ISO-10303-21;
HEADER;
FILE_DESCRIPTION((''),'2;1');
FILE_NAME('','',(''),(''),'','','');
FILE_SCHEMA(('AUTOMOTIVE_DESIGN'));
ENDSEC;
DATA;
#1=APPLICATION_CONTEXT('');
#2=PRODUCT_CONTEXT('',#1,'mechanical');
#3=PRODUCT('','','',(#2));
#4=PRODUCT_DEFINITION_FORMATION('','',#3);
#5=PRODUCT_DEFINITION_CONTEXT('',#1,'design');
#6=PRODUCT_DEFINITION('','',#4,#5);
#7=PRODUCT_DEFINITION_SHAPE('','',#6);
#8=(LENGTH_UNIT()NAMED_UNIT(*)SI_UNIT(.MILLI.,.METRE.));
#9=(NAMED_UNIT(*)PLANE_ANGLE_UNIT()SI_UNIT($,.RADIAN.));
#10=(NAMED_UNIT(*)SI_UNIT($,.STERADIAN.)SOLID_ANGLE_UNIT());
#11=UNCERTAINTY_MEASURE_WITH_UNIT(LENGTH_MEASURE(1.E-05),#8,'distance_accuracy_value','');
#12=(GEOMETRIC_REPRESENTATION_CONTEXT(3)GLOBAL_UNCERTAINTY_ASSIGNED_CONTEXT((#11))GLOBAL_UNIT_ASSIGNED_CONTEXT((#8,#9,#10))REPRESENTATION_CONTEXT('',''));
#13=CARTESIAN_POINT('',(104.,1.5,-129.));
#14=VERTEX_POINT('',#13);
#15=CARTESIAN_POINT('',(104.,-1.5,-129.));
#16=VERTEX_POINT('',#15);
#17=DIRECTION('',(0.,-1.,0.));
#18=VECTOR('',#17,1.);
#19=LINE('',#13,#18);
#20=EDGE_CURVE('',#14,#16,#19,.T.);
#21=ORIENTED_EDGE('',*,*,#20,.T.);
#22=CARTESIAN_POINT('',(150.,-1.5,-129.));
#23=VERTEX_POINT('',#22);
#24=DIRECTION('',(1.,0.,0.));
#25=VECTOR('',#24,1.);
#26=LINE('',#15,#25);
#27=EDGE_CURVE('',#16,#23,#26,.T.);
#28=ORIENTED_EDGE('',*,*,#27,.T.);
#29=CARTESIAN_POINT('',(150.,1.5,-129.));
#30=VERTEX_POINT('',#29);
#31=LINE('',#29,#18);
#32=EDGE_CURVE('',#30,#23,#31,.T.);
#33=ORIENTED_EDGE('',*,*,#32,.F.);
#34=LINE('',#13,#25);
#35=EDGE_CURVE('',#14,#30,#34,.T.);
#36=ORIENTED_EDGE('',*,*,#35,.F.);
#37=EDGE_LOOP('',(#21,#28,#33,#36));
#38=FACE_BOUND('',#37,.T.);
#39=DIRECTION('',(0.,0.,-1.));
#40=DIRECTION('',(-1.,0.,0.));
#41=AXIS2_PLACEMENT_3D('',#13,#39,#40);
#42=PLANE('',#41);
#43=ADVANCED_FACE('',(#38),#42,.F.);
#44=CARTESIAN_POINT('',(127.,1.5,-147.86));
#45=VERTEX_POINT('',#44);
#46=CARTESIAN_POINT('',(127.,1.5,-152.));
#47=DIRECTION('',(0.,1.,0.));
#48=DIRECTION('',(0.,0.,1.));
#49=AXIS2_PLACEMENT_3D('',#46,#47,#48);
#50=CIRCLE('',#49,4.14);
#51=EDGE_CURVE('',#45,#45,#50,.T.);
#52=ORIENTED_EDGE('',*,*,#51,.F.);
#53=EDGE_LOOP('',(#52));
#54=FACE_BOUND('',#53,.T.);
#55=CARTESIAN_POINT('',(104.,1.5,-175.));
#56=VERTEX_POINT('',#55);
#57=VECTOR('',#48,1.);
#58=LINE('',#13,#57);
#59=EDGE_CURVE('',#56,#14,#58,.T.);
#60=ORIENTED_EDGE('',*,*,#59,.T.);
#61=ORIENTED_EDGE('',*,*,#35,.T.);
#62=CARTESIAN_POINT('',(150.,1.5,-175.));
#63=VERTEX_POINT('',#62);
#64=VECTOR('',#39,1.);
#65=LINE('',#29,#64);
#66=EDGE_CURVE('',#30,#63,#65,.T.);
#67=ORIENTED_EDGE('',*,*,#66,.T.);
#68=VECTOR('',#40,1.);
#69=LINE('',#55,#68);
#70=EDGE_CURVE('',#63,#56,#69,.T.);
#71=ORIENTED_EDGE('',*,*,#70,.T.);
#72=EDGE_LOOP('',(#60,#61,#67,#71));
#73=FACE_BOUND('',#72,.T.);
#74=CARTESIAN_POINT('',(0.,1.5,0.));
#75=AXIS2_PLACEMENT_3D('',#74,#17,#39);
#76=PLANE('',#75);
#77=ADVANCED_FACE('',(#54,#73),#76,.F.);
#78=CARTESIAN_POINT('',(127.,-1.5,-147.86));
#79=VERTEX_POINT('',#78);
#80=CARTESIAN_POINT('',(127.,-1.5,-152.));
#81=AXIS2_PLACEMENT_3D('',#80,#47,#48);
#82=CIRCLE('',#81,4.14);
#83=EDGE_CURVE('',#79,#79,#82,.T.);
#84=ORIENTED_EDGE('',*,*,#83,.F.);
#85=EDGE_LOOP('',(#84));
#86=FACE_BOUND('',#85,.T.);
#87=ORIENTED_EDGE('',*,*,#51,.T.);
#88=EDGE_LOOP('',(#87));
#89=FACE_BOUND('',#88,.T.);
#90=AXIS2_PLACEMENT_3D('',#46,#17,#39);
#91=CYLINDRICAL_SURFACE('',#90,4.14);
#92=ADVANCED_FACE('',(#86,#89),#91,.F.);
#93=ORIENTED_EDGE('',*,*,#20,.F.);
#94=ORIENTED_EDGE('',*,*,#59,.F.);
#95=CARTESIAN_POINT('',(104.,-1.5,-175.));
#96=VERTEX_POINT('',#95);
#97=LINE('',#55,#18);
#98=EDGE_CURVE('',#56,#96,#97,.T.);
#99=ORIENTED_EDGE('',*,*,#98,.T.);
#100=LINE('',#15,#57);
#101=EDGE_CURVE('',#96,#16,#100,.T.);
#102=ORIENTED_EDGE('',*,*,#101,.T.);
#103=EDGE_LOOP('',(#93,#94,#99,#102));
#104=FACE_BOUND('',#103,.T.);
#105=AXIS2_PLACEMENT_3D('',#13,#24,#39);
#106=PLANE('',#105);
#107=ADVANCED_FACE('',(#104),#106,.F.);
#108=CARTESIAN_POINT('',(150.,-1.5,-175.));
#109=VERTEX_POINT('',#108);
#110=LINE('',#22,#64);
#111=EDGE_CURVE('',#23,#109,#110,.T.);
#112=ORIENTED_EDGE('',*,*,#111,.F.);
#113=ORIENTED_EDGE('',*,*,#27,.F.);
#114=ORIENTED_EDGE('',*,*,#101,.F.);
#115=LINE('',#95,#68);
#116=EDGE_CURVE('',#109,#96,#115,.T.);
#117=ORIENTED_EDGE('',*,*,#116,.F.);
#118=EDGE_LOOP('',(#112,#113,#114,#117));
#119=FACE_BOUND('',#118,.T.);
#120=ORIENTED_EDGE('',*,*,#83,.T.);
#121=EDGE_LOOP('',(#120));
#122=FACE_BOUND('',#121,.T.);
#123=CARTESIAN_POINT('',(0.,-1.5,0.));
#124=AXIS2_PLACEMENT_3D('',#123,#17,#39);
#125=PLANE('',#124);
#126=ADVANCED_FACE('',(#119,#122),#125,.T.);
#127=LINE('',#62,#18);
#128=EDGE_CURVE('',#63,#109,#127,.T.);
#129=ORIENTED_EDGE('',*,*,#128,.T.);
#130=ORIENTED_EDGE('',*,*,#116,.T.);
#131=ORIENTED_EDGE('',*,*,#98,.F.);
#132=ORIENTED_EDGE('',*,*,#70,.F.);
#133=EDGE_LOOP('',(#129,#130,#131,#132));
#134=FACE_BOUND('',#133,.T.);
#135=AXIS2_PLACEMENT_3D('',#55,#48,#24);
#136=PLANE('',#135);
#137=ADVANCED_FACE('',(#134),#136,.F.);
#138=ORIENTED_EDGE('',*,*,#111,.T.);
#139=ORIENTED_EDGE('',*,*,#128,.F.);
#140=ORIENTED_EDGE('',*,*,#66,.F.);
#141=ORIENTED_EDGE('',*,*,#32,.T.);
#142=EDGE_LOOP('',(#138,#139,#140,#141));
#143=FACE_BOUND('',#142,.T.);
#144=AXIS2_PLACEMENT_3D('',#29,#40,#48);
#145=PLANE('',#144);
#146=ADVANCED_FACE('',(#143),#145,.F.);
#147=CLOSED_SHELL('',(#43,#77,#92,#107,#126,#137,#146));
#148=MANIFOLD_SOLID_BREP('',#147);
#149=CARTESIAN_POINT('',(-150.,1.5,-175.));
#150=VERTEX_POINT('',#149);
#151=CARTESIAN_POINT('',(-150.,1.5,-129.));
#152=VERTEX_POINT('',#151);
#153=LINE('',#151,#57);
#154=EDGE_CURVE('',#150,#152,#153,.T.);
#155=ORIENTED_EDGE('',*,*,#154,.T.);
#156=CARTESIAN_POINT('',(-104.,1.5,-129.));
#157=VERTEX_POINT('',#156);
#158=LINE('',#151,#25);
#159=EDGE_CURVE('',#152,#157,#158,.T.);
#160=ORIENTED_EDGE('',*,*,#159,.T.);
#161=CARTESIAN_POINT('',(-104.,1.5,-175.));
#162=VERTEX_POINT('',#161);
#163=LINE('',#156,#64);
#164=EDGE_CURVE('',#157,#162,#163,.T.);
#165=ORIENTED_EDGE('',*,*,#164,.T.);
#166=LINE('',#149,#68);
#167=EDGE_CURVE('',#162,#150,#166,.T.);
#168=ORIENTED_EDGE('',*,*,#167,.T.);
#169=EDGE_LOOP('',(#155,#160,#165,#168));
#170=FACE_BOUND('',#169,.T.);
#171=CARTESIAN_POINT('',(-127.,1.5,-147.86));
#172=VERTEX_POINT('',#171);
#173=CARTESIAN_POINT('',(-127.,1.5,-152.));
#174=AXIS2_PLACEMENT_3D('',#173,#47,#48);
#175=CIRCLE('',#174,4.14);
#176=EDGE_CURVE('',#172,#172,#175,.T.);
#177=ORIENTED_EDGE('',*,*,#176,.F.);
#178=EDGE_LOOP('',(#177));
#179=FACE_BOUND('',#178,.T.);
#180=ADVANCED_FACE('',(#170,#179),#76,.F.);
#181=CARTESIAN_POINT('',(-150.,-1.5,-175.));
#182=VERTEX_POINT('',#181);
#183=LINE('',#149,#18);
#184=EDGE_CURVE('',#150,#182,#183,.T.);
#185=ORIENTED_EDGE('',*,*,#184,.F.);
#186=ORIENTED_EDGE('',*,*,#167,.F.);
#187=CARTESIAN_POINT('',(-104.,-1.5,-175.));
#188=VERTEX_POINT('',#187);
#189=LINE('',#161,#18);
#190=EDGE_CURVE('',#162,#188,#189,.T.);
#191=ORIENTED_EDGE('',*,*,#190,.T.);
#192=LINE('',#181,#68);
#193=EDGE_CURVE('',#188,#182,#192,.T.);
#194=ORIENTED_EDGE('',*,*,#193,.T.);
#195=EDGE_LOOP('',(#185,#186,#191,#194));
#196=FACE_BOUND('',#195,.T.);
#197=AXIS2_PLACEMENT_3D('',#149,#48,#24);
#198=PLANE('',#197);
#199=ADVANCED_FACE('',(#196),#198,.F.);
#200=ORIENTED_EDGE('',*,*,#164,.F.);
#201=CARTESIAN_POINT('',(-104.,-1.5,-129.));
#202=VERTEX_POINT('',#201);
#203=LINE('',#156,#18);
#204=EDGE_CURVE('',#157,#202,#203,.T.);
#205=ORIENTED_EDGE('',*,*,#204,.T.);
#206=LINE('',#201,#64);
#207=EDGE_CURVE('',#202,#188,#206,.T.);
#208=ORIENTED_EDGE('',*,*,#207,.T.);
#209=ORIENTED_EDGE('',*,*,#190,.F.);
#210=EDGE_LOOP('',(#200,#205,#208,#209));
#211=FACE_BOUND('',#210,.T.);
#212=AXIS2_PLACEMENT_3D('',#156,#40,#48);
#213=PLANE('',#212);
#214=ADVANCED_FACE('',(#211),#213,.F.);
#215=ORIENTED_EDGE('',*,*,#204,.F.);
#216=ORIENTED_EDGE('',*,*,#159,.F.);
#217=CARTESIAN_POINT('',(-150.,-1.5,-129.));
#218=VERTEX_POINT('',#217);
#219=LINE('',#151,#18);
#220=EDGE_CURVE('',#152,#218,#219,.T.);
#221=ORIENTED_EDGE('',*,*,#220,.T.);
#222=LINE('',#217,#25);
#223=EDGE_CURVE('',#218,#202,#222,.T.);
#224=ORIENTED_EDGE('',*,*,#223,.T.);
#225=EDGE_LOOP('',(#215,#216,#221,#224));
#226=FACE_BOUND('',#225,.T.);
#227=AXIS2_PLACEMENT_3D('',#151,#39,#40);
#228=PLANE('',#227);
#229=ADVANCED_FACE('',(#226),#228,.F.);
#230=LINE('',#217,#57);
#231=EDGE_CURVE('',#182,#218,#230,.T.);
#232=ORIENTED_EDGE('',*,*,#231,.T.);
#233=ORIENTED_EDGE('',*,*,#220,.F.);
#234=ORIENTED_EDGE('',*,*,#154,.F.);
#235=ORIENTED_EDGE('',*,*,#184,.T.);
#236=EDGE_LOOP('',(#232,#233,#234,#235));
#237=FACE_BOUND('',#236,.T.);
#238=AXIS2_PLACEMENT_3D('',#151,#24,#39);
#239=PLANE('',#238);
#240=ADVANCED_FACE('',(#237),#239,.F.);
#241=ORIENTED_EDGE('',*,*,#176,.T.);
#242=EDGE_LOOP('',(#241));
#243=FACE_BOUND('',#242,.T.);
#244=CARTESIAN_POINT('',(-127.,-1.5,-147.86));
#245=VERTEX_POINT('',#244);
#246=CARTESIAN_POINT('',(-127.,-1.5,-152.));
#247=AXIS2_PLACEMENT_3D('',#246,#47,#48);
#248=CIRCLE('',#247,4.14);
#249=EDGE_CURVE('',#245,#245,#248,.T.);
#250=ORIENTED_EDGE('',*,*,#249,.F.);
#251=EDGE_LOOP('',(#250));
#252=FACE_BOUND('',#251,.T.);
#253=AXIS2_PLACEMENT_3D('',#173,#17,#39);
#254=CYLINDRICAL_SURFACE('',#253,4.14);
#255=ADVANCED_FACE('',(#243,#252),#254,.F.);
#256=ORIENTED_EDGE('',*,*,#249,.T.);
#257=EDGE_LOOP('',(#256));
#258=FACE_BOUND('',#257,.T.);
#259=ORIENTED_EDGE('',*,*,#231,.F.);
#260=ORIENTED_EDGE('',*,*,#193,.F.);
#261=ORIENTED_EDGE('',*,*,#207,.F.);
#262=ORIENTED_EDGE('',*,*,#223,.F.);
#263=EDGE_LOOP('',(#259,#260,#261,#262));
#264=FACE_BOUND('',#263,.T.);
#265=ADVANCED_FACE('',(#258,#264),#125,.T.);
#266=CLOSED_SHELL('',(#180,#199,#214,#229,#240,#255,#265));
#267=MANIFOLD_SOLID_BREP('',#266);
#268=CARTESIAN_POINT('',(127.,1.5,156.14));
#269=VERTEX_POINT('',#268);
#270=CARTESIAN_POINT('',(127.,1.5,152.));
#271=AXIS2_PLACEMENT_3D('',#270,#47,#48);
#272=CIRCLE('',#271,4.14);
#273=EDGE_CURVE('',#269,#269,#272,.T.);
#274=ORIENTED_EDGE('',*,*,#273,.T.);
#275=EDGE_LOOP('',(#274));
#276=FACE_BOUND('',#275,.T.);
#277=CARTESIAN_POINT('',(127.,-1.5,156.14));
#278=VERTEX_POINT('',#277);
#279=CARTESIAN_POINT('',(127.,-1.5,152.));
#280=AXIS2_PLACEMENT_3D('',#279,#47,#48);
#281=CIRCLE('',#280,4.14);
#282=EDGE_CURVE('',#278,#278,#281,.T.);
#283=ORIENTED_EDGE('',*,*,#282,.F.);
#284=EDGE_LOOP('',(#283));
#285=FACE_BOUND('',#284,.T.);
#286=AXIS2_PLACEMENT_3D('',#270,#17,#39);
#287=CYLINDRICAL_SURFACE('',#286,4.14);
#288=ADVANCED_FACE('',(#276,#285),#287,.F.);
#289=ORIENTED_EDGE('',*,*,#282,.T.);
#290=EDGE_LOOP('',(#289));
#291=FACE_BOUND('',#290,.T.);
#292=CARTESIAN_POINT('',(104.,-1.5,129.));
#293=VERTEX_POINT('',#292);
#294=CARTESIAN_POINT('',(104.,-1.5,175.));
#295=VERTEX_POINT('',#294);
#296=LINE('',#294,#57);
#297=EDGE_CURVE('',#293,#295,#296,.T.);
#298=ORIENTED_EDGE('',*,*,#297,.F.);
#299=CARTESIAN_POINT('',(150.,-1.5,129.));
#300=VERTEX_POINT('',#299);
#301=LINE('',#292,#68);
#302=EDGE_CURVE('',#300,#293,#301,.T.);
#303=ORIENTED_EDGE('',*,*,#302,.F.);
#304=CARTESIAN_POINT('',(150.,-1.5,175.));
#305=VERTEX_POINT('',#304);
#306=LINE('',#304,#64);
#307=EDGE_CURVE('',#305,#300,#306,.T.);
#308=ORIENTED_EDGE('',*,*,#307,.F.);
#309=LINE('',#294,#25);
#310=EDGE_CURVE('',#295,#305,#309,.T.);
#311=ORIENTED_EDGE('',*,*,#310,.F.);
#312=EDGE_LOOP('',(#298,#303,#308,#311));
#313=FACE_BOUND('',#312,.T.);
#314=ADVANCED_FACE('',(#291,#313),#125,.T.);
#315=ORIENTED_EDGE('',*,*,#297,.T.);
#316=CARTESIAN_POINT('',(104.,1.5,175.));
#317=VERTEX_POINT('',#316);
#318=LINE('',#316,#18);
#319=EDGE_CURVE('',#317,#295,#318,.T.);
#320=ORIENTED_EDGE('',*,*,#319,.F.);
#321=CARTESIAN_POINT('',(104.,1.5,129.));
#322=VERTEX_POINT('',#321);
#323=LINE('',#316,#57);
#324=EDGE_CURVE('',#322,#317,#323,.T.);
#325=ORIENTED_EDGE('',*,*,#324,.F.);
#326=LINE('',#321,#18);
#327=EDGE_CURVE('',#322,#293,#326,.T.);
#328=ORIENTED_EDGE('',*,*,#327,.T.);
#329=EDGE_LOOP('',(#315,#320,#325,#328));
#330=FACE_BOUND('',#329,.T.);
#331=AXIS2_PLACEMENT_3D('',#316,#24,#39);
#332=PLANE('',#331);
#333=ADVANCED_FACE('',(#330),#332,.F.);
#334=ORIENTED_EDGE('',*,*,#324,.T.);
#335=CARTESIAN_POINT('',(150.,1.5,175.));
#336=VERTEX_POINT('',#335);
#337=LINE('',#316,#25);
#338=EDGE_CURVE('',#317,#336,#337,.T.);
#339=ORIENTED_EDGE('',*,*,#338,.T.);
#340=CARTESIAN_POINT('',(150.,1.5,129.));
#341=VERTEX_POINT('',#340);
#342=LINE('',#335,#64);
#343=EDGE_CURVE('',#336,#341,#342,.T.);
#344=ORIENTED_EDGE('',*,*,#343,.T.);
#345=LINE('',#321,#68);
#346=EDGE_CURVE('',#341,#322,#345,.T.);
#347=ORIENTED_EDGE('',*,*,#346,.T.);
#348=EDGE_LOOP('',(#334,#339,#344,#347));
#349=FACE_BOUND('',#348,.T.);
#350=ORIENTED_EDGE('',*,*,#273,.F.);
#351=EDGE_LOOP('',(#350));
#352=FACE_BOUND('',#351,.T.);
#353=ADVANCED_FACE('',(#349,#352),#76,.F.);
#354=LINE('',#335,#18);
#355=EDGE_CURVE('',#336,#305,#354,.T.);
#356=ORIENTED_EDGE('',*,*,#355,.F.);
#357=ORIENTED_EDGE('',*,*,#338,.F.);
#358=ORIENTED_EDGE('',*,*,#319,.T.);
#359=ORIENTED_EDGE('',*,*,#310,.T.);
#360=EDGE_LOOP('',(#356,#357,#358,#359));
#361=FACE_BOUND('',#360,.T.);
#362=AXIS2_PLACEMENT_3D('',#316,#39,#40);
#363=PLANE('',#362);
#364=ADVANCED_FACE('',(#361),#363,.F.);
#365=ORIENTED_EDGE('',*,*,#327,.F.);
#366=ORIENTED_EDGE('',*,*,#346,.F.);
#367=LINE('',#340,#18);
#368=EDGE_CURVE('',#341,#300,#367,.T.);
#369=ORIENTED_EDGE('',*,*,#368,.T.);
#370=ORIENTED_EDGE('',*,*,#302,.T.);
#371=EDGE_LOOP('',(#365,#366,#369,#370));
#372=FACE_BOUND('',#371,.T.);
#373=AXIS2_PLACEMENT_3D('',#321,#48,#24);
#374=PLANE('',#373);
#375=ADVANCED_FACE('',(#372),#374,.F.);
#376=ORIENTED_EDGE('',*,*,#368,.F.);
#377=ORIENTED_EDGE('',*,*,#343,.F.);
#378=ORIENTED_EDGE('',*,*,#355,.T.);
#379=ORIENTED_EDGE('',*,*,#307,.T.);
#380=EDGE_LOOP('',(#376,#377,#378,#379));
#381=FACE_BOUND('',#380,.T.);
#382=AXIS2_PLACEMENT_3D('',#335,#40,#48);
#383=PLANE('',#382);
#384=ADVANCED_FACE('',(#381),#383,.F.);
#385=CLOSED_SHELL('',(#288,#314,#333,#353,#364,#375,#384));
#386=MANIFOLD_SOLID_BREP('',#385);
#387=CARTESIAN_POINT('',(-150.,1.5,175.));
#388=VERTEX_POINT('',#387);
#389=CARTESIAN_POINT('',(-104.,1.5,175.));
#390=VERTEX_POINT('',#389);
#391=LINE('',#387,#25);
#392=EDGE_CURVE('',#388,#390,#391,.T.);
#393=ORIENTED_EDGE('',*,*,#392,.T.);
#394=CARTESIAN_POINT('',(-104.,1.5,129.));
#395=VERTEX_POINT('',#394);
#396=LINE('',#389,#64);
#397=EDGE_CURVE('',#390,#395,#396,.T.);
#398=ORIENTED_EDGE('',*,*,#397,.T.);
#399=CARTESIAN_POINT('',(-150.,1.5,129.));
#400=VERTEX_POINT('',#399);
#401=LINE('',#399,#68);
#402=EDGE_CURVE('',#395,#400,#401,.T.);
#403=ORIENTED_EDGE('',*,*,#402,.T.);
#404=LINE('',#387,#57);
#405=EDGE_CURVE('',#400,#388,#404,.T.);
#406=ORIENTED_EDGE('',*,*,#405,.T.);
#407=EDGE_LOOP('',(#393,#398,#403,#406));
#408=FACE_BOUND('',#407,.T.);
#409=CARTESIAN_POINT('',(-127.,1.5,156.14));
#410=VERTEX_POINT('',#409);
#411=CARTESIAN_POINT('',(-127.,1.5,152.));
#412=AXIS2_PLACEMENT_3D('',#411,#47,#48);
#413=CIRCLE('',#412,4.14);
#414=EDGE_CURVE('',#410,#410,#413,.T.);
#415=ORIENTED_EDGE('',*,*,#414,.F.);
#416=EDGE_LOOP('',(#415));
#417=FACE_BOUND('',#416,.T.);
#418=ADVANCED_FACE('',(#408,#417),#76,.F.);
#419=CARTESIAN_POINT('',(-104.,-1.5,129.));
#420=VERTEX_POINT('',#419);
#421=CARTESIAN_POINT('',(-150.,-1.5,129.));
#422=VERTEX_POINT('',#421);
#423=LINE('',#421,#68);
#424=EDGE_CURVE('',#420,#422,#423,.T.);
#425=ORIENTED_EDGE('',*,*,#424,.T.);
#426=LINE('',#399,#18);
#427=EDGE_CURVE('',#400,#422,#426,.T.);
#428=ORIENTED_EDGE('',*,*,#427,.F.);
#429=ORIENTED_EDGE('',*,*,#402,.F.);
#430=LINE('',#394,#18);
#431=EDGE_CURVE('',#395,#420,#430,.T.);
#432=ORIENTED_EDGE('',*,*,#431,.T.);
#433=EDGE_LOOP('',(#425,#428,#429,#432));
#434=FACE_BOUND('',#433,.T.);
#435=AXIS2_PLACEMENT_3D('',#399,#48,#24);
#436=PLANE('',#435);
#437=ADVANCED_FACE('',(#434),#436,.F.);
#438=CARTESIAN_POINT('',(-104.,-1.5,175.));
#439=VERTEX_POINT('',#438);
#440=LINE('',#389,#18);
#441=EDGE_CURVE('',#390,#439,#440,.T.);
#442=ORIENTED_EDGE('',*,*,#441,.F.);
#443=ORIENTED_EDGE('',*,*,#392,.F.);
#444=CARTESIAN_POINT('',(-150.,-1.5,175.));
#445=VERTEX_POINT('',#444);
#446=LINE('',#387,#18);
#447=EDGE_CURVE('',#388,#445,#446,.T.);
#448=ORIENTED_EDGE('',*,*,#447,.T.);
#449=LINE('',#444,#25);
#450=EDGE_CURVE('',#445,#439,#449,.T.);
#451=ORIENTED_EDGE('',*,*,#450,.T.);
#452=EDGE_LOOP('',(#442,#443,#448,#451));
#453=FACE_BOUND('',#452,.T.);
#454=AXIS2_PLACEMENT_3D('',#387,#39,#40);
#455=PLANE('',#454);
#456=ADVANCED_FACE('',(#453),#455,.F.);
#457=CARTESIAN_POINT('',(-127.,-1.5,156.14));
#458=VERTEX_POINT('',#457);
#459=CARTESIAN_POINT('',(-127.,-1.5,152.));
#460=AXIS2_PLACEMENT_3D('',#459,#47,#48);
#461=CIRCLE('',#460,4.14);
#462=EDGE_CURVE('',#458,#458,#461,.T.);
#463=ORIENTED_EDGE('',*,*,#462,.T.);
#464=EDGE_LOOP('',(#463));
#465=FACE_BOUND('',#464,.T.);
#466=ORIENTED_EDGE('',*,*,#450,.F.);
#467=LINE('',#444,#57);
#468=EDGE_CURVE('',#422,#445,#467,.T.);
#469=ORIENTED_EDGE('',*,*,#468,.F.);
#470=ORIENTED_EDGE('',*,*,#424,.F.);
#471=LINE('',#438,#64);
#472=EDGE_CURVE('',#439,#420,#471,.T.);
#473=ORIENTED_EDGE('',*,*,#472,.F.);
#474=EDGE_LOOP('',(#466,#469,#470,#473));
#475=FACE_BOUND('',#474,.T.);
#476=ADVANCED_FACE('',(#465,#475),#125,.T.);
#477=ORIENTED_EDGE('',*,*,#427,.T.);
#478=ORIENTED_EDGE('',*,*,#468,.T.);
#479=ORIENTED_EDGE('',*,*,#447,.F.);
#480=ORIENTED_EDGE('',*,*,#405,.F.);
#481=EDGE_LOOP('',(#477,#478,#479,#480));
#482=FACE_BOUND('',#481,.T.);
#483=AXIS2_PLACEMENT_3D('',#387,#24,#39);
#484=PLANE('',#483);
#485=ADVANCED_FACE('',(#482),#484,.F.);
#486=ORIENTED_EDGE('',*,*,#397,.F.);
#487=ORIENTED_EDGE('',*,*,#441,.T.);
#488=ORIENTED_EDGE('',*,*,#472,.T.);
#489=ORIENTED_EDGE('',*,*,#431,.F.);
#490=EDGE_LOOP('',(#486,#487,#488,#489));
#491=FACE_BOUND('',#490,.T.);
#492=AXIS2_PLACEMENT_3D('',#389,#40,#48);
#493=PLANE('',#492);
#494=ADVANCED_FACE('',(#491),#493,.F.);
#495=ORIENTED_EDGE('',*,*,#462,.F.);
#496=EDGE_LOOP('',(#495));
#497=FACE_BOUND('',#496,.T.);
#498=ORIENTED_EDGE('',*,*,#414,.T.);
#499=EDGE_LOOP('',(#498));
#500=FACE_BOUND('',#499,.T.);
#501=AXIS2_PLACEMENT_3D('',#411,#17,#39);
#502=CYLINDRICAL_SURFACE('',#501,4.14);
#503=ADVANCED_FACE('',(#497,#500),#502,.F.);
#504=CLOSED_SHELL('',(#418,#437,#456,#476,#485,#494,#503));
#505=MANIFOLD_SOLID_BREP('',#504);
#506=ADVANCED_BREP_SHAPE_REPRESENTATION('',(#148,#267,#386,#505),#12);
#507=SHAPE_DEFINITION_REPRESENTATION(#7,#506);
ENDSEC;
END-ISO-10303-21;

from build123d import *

# Parameters (mm, degrees)
SKETCH1_W                            = 46
SKETCH1_H                            = 46
SKETCH1_R                            = 4.14
ELECTRONICS_TRAY_CORNER_TABS_DEPTH   = 1.5
ELECTRONICS_TRAY_CORNER_TABS_2_DEPTH = 1.5
ELECTRONICS_TRAY_CORNER_TABS_3_DEPTH = 1.5
ELECTRONICS_TRAY_CORNER_TABS_4_DEPTH = 1.5


with BuildPart() as part:
    # Sketch1 → Electronics tray corner tabs (new, symmetric)
    with BuildSketch(Plane(origin=(0, 0, 0), x_dir=(1, 0, 0), z_dir=(0, 1, 0))):
        with Locations((127, 152)):
            Rectangle(SKETCH1_W, SKETCH1_H)
        with Locations(Location((127, 152, 0), (0, 0, 270))):
            Circle(SKETCH1_R, mode=Mode.SUBTRACT)
    extrude(amount=ELECTRONICS_TRAY_CORNER_TABS_DEPTH, both=True)


with BuildPart() as body_2:
    # Sketch1 → Electronics tray corner tabs 2 (new, symmetric)
    with BuildSketch(Plane(origin=(0, 0, 0), x_dir=(1, 0, 0), z_dir=(0, 1, 0))):
        with Locations((-127, 152)):
            Rectangle(SKETCH1_W, SKETCH1_H)
        with Locations(Location((-127, 152, 0), (0, 0, 270))):
            Circle(SKETCH1_R, mode=Mode.SUBTRACT)
    extrude(amount=ELECTRONICS_TRAY_CORNER_TABS_2_DEPTH, both=True)


with BuildPart() as body_3:
    # Sketch1 → Electronics tray corner tabs 3 (new, symmetric)
    with BuildSketch(Plane(origin=(0, 0, 0), x_dir=(1, 0, 0), z_dir=(0, 1, 0))):
        with Locations((127, -152)):
            Rectangle(SKETCH1_W, SKETCH1_H)
        with Locations(Location((127, -152, 0), (0, 0, 270))):
            Circle(SKETCH1_R, mode=Mode.SUBTRACT)
    extrude(amount=ELECTRONICS_TRAY_CORNER_TABS_3_DEPTH, both=True)


with BuildPart() as body_4:
    # Sketch1 → Electronics tray corner tabs 4 (new, symmetric)
    with BuildSketch(Plane(origin=(0, 0, 0), x_dir=(1, 0, 0), z_dir=(0, 1, 0))):
        with Locations((-127, -152)):
            Rectangle(SKETCH1_W, SKETCH1_H)
        with Locations(Location((-127, -152, 0), (0, 0, 270))):
            Circle(SKETCH1_R, mode=Mode.SUBTRACT)
    extrude(amount=ELECTRONICS_TRAY_CORNER_TABS_4_DEPTH, both=True)


solid = Compound([part.part, body_2.part, body_3.part, body_4.part])
